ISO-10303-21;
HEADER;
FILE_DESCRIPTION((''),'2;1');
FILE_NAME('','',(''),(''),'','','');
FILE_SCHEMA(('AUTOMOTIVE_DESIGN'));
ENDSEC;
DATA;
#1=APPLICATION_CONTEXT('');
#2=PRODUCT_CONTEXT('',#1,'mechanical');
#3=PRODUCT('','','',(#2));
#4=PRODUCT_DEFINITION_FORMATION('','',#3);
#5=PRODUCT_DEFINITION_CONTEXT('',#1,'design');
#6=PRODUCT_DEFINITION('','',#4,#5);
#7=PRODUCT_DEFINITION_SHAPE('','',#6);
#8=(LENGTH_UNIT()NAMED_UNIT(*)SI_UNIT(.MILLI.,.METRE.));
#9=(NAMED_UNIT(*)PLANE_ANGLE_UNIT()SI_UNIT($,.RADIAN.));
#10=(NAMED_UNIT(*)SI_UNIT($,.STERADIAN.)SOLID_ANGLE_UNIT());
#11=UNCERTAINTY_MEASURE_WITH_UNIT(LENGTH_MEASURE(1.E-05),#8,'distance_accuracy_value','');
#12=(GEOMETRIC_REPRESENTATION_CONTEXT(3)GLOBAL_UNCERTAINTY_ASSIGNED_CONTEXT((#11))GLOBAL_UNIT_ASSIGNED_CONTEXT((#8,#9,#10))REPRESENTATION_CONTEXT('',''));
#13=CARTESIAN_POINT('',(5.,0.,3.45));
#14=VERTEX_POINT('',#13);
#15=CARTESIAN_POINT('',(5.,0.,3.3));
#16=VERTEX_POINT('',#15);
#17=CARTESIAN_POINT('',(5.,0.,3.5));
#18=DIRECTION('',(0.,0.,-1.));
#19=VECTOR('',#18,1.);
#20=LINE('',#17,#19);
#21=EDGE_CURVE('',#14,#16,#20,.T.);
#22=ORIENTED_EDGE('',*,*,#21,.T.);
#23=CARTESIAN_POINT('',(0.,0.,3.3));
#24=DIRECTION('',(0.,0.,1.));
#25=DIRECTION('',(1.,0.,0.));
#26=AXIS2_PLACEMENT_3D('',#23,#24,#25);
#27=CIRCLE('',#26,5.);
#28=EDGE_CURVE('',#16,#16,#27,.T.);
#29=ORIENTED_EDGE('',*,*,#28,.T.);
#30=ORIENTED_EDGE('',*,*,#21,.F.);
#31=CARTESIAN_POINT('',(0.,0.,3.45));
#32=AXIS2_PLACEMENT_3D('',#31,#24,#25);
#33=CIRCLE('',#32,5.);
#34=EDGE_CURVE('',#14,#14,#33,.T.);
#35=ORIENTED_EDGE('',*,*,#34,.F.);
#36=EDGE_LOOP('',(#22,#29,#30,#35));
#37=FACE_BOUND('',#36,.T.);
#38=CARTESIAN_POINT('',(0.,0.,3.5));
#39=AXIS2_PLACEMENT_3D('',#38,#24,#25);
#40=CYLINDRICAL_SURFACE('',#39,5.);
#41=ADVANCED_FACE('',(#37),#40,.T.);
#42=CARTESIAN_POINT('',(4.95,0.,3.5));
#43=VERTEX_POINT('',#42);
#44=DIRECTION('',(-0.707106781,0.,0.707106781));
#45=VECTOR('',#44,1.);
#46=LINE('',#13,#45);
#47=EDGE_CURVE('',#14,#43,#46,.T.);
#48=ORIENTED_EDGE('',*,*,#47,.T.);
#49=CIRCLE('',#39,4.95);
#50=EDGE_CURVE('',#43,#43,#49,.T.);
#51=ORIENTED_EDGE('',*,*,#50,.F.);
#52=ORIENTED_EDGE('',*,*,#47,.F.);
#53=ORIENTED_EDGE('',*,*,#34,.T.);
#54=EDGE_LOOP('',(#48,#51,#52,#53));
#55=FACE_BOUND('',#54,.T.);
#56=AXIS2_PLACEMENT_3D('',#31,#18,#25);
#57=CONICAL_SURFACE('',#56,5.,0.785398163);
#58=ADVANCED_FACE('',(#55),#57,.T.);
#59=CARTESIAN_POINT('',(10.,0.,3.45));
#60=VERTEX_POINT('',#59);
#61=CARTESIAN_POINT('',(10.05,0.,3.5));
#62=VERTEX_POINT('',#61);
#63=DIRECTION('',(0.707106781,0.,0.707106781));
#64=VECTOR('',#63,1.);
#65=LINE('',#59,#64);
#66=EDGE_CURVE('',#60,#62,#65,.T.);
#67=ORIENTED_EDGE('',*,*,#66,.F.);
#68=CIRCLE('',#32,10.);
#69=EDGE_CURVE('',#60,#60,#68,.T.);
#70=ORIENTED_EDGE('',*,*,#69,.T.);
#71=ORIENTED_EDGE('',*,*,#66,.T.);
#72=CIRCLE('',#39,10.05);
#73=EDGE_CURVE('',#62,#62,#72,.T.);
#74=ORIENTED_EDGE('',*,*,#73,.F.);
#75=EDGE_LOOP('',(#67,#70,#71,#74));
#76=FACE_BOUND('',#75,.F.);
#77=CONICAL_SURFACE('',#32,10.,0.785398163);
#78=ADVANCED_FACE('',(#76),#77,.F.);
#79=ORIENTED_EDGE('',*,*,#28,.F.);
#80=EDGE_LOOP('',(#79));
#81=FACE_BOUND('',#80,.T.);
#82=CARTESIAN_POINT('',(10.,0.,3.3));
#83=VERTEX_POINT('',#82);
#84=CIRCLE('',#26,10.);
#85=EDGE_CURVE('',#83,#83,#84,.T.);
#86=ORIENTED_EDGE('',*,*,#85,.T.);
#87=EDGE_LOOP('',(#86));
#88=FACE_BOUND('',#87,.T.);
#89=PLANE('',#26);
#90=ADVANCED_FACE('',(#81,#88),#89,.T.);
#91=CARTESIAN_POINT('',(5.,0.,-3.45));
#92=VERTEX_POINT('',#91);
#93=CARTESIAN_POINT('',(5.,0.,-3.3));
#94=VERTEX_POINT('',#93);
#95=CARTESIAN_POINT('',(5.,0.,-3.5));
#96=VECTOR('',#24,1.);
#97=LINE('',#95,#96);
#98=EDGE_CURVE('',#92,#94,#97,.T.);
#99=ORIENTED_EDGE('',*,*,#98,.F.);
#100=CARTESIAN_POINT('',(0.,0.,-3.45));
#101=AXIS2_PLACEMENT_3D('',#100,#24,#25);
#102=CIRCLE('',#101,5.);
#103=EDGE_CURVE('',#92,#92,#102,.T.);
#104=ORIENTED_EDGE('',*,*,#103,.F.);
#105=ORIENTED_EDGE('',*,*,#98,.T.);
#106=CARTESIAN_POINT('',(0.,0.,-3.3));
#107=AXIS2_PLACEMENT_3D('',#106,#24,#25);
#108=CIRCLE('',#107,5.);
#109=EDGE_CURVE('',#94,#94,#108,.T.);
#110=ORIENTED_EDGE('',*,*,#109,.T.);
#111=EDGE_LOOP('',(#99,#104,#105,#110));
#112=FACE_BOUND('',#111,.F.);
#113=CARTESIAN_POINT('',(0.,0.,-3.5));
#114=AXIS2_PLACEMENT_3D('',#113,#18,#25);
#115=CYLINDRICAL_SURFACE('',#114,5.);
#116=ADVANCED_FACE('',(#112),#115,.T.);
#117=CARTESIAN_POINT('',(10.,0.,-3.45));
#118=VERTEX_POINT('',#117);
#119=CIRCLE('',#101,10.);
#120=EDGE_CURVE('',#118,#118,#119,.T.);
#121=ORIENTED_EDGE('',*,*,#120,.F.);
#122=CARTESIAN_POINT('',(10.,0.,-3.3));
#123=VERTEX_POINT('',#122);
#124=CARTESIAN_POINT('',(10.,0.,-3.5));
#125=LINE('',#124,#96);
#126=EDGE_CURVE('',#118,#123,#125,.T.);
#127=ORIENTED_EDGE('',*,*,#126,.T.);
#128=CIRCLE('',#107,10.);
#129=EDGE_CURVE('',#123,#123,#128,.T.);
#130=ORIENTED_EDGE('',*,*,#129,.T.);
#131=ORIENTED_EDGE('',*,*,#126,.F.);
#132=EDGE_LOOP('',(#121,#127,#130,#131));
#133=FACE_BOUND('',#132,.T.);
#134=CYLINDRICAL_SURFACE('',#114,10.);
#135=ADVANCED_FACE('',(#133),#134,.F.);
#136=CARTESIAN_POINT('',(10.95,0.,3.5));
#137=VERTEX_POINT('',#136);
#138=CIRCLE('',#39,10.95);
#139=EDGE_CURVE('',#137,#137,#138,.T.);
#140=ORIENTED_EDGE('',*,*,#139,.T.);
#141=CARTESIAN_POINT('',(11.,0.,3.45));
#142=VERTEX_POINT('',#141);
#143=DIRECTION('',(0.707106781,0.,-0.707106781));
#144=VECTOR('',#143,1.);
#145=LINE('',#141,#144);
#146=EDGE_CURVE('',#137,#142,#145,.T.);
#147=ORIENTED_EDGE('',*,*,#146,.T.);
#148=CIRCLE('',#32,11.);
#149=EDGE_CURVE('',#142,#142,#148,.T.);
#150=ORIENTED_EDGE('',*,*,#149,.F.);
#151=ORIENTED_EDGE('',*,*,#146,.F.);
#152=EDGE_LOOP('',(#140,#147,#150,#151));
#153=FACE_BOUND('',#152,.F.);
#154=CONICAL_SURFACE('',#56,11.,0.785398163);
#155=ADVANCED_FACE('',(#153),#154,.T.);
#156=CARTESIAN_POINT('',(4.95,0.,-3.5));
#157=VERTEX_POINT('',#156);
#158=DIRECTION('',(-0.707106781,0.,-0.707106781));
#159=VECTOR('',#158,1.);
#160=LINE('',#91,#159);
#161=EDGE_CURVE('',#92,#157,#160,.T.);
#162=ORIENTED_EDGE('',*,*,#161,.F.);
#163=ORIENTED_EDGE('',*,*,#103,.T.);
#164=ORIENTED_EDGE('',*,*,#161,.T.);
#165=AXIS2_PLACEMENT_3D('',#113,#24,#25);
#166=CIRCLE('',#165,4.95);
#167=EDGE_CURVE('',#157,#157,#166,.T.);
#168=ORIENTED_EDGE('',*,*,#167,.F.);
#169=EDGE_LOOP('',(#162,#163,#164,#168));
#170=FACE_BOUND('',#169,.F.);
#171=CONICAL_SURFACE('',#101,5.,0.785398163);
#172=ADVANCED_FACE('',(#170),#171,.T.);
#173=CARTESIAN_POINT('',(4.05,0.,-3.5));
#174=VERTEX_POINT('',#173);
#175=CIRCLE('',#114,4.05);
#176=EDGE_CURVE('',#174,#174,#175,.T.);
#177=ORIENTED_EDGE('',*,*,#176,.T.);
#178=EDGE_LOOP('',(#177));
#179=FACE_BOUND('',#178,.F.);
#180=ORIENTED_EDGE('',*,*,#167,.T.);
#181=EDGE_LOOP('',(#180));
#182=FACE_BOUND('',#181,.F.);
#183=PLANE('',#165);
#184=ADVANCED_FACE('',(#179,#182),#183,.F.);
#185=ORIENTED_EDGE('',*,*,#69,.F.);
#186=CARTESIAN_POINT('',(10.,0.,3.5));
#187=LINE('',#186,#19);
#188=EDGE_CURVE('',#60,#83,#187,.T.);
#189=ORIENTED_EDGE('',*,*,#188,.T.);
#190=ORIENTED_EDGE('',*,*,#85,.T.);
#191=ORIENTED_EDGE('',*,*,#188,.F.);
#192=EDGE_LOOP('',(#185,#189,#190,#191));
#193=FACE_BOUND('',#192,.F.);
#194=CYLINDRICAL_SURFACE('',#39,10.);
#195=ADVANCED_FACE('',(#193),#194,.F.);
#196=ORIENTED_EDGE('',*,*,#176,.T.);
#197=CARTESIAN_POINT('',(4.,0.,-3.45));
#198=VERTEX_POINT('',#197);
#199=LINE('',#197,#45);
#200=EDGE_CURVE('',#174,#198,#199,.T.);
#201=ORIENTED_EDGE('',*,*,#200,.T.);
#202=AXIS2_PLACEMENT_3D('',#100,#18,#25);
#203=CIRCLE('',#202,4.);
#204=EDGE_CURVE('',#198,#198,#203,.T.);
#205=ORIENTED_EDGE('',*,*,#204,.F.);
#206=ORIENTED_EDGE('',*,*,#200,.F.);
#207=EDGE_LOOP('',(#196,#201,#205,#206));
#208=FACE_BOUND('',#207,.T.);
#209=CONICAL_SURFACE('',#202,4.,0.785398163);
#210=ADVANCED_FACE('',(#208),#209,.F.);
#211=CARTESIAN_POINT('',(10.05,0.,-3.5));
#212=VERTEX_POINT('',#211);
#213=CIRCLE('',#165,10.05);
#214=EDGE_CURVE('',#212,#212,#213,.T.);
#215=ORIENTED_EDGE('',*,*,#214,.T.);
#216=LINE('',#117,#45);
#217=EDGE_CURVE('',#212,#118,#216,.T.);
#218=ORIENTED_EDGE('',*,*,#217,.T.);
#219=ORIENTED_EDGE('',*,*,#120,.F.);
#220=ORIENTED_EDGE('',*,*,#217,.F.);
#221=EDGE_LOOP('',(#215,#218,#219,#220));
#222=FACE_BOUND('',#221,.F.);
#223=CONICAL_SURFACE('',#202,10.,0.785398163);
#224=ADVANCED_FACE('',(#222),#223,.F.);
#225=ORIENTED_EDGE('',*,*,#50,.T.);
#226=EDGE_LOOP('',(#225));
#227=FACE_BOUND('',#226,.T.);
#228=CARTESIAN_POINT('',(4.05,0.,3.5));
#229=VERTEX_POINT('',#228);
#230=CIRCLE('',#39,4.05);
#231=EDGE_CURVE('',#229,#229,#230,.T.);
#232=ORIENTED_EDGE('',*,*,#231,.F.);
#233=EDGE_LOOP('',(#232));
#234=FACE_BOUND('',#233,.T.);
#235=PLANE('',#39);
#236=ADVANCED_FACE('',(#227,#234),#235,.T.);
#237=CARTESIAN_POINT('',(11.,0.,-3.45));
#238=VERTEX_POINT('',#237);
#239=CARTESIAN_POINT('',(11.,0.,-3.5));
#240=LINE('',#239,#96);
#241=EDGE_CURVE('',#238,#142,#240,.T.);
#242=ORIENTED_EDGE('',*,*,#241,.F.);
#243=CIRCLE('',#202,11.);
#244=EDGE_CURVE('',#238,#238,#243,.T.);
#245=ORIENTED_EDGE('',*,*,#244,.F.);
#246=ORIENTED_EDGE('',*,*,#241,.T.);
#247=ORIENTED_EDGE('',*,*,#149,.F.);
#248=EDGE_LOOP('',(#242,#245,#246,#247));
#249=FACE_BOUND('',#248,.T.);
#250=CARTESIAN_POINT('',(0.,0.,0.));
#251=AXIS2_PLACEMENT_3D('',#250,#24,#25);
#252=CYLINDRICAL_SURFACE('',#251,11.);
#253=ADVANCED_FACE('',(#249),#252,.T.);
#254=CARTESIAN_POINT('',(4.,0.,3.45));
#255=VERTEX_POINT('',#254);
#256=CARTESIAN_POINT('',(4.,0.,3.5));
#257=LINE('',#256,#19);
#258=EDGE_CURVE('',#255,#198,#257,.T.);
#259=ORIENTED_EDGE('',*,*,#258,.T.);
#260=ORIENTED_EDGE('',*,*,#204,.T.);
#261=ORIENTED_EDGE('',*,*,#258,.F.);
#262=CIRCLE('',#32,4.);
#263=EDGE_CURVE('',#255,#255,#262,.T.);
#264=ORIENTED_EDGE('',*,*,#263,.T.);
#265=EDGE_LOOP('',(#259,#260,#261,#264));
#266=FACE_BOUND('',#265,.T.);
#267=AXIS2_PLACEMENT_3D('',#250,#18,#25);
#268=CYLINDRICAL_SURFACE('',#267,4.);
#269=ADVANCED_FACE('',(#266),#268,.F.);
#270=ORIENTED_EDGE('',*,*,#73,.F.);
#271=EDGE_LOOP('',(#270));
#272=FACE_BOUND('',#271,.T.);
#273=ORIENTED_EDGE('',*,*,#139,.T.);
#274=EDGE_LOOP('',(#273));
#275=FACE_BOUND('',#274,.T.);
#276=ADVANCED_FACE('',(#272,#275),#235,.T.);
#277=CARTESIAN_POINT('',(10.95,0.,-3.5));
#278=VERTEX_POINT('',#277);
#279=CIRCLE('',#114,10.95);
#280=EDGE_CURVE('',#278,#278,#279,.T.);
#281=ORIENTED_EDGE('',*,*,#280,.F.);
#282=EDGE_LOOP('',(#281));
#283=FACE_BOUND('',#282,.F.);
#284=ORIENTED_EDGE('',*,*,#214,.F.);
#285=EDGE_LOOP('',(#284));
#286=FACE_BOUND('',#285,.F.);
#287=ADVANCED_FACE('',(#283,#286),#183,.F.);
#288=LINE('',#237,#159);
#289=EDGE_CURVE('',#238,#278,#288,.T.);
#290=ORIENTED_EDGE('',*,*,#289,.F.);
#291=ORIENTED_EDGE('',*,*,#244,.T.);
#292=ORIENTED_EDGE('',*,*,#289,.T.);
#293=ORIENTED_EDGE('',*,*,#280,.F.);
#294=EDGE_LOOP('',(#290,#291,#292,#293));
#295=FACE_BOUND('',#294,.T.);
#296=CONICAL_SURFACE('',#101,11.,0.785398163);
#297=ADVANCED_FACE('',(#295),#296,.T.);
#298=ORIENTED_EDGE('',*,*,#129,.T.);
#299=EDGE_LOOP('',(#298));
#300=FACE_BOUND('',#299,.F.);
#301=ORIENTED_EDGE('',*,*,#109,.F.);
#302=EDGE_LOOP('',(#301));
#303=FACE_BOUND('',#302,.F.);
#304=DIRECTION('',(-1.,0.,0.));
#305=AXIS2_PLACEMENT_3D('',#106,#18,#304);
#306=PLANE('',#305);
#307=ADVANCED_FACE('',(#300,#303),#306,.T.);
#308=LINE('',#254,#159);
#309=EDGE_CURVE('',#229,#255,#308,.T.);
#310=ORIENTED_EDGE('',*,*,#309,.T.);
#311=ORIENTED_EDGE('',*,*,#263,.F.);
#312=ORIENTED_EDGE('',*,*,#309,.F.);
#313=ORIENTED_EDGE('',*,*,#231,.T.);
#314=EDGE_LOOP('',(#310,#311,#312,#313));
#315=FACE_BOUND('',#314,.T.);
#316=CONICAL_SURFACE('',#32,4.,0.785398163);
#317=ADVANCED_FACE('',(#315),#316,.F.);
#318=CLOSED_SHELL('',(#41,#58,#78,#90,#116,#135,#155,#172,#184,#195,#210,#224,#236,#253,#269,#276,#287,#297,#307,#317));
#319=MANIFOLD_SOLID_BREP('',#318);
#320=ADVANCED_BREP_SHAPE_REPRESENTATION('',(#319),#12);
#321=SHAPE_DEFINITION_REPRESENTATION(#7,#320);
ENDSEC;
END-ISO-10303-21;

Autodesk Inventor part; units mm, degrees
ref_plane "YZ Plane" through (0, 0, 0) normal (1, 0, 0) x (0, 1, 0)
ref_plane "XZ Plane" through (0, 0, 0) normal (0, 1, 0) x (-1, 0, 0)
ref_plane "XY Plane" through (0, 0, 0) normal (0, 0, 1) x (1, 0, 0)
sketch "Skizze1" plane through (0, 0, 0) normal (0, 0, 1) x (1, 0, 0)
  line L0 (-15.4, 0) -> (15.4, 0) projected
  line L1 (0, -15.4) -> (0, 15.4) projected
  circle A0 centre (0, 0) radius 11
  circle A1 centre (0, 0) radius 4
  dimension "d0" = 22
  dimension "d1" = 8
extrude "Extrusion1" add sketch "Skizze1" along normal mid plane 7 contours A1 L1 A0 L0 | L0 A0 L1 A1 | A1 L0 A0 L1 | L1 A0 L0 A1
sketch "Skizze2" plane through (0, 0, 3.5) normal (0, 0, 1) x (1, 0, 0)
  circle A0 centre (0, 0) radius 4 projected
  circle A1 centre (0, 0) radius 11 projected
  circle A2 centre (0, 0) radius 5
  circle A3 centre (0, 0) radius 10
  dimension "d4" = 10
  dimension "d5" = 20
extrude "Extrusion2" cut sketch "Skizze2" against normal blind 0.2 contours A3
mirror "Spiegeln1" about plane through (0, 0, 0) normal (0, 0, 1) of "Extrusion2"
chamfer "Fase1" distance 0.05 angle 45 1 edges at (-10, 0, 3.5)
chamfer "Fase2" distance 0.05 angle 45 1 edges at (-5, 0, 3.5)
chamfer "Fase3" distance 0.05 angle 45 1 edges at (-4, 0, 3.5)
chamfer "Fase4" distance 0.05 angle 45 1 edges at (-11, 0, 3.5)
chamfer "Fase5" distance 0.05 angle 45 1 edges at (-11, 0, -3.5)
chamfer "Fase6" distance 0.05 angle 45 1 edges at (-10, 0, -3.5)
chamfer "Fase7" distance 0.05 angle 45 1 edges at (-5, 0, -3.5)
chamfer "Fase8" distance 0.05 angle 45 1 edges at (-4, 0, -3.5)
properties part number "Kugellager_8x22x7_608ZZ" material "Stahl, Kohlenstoff"
